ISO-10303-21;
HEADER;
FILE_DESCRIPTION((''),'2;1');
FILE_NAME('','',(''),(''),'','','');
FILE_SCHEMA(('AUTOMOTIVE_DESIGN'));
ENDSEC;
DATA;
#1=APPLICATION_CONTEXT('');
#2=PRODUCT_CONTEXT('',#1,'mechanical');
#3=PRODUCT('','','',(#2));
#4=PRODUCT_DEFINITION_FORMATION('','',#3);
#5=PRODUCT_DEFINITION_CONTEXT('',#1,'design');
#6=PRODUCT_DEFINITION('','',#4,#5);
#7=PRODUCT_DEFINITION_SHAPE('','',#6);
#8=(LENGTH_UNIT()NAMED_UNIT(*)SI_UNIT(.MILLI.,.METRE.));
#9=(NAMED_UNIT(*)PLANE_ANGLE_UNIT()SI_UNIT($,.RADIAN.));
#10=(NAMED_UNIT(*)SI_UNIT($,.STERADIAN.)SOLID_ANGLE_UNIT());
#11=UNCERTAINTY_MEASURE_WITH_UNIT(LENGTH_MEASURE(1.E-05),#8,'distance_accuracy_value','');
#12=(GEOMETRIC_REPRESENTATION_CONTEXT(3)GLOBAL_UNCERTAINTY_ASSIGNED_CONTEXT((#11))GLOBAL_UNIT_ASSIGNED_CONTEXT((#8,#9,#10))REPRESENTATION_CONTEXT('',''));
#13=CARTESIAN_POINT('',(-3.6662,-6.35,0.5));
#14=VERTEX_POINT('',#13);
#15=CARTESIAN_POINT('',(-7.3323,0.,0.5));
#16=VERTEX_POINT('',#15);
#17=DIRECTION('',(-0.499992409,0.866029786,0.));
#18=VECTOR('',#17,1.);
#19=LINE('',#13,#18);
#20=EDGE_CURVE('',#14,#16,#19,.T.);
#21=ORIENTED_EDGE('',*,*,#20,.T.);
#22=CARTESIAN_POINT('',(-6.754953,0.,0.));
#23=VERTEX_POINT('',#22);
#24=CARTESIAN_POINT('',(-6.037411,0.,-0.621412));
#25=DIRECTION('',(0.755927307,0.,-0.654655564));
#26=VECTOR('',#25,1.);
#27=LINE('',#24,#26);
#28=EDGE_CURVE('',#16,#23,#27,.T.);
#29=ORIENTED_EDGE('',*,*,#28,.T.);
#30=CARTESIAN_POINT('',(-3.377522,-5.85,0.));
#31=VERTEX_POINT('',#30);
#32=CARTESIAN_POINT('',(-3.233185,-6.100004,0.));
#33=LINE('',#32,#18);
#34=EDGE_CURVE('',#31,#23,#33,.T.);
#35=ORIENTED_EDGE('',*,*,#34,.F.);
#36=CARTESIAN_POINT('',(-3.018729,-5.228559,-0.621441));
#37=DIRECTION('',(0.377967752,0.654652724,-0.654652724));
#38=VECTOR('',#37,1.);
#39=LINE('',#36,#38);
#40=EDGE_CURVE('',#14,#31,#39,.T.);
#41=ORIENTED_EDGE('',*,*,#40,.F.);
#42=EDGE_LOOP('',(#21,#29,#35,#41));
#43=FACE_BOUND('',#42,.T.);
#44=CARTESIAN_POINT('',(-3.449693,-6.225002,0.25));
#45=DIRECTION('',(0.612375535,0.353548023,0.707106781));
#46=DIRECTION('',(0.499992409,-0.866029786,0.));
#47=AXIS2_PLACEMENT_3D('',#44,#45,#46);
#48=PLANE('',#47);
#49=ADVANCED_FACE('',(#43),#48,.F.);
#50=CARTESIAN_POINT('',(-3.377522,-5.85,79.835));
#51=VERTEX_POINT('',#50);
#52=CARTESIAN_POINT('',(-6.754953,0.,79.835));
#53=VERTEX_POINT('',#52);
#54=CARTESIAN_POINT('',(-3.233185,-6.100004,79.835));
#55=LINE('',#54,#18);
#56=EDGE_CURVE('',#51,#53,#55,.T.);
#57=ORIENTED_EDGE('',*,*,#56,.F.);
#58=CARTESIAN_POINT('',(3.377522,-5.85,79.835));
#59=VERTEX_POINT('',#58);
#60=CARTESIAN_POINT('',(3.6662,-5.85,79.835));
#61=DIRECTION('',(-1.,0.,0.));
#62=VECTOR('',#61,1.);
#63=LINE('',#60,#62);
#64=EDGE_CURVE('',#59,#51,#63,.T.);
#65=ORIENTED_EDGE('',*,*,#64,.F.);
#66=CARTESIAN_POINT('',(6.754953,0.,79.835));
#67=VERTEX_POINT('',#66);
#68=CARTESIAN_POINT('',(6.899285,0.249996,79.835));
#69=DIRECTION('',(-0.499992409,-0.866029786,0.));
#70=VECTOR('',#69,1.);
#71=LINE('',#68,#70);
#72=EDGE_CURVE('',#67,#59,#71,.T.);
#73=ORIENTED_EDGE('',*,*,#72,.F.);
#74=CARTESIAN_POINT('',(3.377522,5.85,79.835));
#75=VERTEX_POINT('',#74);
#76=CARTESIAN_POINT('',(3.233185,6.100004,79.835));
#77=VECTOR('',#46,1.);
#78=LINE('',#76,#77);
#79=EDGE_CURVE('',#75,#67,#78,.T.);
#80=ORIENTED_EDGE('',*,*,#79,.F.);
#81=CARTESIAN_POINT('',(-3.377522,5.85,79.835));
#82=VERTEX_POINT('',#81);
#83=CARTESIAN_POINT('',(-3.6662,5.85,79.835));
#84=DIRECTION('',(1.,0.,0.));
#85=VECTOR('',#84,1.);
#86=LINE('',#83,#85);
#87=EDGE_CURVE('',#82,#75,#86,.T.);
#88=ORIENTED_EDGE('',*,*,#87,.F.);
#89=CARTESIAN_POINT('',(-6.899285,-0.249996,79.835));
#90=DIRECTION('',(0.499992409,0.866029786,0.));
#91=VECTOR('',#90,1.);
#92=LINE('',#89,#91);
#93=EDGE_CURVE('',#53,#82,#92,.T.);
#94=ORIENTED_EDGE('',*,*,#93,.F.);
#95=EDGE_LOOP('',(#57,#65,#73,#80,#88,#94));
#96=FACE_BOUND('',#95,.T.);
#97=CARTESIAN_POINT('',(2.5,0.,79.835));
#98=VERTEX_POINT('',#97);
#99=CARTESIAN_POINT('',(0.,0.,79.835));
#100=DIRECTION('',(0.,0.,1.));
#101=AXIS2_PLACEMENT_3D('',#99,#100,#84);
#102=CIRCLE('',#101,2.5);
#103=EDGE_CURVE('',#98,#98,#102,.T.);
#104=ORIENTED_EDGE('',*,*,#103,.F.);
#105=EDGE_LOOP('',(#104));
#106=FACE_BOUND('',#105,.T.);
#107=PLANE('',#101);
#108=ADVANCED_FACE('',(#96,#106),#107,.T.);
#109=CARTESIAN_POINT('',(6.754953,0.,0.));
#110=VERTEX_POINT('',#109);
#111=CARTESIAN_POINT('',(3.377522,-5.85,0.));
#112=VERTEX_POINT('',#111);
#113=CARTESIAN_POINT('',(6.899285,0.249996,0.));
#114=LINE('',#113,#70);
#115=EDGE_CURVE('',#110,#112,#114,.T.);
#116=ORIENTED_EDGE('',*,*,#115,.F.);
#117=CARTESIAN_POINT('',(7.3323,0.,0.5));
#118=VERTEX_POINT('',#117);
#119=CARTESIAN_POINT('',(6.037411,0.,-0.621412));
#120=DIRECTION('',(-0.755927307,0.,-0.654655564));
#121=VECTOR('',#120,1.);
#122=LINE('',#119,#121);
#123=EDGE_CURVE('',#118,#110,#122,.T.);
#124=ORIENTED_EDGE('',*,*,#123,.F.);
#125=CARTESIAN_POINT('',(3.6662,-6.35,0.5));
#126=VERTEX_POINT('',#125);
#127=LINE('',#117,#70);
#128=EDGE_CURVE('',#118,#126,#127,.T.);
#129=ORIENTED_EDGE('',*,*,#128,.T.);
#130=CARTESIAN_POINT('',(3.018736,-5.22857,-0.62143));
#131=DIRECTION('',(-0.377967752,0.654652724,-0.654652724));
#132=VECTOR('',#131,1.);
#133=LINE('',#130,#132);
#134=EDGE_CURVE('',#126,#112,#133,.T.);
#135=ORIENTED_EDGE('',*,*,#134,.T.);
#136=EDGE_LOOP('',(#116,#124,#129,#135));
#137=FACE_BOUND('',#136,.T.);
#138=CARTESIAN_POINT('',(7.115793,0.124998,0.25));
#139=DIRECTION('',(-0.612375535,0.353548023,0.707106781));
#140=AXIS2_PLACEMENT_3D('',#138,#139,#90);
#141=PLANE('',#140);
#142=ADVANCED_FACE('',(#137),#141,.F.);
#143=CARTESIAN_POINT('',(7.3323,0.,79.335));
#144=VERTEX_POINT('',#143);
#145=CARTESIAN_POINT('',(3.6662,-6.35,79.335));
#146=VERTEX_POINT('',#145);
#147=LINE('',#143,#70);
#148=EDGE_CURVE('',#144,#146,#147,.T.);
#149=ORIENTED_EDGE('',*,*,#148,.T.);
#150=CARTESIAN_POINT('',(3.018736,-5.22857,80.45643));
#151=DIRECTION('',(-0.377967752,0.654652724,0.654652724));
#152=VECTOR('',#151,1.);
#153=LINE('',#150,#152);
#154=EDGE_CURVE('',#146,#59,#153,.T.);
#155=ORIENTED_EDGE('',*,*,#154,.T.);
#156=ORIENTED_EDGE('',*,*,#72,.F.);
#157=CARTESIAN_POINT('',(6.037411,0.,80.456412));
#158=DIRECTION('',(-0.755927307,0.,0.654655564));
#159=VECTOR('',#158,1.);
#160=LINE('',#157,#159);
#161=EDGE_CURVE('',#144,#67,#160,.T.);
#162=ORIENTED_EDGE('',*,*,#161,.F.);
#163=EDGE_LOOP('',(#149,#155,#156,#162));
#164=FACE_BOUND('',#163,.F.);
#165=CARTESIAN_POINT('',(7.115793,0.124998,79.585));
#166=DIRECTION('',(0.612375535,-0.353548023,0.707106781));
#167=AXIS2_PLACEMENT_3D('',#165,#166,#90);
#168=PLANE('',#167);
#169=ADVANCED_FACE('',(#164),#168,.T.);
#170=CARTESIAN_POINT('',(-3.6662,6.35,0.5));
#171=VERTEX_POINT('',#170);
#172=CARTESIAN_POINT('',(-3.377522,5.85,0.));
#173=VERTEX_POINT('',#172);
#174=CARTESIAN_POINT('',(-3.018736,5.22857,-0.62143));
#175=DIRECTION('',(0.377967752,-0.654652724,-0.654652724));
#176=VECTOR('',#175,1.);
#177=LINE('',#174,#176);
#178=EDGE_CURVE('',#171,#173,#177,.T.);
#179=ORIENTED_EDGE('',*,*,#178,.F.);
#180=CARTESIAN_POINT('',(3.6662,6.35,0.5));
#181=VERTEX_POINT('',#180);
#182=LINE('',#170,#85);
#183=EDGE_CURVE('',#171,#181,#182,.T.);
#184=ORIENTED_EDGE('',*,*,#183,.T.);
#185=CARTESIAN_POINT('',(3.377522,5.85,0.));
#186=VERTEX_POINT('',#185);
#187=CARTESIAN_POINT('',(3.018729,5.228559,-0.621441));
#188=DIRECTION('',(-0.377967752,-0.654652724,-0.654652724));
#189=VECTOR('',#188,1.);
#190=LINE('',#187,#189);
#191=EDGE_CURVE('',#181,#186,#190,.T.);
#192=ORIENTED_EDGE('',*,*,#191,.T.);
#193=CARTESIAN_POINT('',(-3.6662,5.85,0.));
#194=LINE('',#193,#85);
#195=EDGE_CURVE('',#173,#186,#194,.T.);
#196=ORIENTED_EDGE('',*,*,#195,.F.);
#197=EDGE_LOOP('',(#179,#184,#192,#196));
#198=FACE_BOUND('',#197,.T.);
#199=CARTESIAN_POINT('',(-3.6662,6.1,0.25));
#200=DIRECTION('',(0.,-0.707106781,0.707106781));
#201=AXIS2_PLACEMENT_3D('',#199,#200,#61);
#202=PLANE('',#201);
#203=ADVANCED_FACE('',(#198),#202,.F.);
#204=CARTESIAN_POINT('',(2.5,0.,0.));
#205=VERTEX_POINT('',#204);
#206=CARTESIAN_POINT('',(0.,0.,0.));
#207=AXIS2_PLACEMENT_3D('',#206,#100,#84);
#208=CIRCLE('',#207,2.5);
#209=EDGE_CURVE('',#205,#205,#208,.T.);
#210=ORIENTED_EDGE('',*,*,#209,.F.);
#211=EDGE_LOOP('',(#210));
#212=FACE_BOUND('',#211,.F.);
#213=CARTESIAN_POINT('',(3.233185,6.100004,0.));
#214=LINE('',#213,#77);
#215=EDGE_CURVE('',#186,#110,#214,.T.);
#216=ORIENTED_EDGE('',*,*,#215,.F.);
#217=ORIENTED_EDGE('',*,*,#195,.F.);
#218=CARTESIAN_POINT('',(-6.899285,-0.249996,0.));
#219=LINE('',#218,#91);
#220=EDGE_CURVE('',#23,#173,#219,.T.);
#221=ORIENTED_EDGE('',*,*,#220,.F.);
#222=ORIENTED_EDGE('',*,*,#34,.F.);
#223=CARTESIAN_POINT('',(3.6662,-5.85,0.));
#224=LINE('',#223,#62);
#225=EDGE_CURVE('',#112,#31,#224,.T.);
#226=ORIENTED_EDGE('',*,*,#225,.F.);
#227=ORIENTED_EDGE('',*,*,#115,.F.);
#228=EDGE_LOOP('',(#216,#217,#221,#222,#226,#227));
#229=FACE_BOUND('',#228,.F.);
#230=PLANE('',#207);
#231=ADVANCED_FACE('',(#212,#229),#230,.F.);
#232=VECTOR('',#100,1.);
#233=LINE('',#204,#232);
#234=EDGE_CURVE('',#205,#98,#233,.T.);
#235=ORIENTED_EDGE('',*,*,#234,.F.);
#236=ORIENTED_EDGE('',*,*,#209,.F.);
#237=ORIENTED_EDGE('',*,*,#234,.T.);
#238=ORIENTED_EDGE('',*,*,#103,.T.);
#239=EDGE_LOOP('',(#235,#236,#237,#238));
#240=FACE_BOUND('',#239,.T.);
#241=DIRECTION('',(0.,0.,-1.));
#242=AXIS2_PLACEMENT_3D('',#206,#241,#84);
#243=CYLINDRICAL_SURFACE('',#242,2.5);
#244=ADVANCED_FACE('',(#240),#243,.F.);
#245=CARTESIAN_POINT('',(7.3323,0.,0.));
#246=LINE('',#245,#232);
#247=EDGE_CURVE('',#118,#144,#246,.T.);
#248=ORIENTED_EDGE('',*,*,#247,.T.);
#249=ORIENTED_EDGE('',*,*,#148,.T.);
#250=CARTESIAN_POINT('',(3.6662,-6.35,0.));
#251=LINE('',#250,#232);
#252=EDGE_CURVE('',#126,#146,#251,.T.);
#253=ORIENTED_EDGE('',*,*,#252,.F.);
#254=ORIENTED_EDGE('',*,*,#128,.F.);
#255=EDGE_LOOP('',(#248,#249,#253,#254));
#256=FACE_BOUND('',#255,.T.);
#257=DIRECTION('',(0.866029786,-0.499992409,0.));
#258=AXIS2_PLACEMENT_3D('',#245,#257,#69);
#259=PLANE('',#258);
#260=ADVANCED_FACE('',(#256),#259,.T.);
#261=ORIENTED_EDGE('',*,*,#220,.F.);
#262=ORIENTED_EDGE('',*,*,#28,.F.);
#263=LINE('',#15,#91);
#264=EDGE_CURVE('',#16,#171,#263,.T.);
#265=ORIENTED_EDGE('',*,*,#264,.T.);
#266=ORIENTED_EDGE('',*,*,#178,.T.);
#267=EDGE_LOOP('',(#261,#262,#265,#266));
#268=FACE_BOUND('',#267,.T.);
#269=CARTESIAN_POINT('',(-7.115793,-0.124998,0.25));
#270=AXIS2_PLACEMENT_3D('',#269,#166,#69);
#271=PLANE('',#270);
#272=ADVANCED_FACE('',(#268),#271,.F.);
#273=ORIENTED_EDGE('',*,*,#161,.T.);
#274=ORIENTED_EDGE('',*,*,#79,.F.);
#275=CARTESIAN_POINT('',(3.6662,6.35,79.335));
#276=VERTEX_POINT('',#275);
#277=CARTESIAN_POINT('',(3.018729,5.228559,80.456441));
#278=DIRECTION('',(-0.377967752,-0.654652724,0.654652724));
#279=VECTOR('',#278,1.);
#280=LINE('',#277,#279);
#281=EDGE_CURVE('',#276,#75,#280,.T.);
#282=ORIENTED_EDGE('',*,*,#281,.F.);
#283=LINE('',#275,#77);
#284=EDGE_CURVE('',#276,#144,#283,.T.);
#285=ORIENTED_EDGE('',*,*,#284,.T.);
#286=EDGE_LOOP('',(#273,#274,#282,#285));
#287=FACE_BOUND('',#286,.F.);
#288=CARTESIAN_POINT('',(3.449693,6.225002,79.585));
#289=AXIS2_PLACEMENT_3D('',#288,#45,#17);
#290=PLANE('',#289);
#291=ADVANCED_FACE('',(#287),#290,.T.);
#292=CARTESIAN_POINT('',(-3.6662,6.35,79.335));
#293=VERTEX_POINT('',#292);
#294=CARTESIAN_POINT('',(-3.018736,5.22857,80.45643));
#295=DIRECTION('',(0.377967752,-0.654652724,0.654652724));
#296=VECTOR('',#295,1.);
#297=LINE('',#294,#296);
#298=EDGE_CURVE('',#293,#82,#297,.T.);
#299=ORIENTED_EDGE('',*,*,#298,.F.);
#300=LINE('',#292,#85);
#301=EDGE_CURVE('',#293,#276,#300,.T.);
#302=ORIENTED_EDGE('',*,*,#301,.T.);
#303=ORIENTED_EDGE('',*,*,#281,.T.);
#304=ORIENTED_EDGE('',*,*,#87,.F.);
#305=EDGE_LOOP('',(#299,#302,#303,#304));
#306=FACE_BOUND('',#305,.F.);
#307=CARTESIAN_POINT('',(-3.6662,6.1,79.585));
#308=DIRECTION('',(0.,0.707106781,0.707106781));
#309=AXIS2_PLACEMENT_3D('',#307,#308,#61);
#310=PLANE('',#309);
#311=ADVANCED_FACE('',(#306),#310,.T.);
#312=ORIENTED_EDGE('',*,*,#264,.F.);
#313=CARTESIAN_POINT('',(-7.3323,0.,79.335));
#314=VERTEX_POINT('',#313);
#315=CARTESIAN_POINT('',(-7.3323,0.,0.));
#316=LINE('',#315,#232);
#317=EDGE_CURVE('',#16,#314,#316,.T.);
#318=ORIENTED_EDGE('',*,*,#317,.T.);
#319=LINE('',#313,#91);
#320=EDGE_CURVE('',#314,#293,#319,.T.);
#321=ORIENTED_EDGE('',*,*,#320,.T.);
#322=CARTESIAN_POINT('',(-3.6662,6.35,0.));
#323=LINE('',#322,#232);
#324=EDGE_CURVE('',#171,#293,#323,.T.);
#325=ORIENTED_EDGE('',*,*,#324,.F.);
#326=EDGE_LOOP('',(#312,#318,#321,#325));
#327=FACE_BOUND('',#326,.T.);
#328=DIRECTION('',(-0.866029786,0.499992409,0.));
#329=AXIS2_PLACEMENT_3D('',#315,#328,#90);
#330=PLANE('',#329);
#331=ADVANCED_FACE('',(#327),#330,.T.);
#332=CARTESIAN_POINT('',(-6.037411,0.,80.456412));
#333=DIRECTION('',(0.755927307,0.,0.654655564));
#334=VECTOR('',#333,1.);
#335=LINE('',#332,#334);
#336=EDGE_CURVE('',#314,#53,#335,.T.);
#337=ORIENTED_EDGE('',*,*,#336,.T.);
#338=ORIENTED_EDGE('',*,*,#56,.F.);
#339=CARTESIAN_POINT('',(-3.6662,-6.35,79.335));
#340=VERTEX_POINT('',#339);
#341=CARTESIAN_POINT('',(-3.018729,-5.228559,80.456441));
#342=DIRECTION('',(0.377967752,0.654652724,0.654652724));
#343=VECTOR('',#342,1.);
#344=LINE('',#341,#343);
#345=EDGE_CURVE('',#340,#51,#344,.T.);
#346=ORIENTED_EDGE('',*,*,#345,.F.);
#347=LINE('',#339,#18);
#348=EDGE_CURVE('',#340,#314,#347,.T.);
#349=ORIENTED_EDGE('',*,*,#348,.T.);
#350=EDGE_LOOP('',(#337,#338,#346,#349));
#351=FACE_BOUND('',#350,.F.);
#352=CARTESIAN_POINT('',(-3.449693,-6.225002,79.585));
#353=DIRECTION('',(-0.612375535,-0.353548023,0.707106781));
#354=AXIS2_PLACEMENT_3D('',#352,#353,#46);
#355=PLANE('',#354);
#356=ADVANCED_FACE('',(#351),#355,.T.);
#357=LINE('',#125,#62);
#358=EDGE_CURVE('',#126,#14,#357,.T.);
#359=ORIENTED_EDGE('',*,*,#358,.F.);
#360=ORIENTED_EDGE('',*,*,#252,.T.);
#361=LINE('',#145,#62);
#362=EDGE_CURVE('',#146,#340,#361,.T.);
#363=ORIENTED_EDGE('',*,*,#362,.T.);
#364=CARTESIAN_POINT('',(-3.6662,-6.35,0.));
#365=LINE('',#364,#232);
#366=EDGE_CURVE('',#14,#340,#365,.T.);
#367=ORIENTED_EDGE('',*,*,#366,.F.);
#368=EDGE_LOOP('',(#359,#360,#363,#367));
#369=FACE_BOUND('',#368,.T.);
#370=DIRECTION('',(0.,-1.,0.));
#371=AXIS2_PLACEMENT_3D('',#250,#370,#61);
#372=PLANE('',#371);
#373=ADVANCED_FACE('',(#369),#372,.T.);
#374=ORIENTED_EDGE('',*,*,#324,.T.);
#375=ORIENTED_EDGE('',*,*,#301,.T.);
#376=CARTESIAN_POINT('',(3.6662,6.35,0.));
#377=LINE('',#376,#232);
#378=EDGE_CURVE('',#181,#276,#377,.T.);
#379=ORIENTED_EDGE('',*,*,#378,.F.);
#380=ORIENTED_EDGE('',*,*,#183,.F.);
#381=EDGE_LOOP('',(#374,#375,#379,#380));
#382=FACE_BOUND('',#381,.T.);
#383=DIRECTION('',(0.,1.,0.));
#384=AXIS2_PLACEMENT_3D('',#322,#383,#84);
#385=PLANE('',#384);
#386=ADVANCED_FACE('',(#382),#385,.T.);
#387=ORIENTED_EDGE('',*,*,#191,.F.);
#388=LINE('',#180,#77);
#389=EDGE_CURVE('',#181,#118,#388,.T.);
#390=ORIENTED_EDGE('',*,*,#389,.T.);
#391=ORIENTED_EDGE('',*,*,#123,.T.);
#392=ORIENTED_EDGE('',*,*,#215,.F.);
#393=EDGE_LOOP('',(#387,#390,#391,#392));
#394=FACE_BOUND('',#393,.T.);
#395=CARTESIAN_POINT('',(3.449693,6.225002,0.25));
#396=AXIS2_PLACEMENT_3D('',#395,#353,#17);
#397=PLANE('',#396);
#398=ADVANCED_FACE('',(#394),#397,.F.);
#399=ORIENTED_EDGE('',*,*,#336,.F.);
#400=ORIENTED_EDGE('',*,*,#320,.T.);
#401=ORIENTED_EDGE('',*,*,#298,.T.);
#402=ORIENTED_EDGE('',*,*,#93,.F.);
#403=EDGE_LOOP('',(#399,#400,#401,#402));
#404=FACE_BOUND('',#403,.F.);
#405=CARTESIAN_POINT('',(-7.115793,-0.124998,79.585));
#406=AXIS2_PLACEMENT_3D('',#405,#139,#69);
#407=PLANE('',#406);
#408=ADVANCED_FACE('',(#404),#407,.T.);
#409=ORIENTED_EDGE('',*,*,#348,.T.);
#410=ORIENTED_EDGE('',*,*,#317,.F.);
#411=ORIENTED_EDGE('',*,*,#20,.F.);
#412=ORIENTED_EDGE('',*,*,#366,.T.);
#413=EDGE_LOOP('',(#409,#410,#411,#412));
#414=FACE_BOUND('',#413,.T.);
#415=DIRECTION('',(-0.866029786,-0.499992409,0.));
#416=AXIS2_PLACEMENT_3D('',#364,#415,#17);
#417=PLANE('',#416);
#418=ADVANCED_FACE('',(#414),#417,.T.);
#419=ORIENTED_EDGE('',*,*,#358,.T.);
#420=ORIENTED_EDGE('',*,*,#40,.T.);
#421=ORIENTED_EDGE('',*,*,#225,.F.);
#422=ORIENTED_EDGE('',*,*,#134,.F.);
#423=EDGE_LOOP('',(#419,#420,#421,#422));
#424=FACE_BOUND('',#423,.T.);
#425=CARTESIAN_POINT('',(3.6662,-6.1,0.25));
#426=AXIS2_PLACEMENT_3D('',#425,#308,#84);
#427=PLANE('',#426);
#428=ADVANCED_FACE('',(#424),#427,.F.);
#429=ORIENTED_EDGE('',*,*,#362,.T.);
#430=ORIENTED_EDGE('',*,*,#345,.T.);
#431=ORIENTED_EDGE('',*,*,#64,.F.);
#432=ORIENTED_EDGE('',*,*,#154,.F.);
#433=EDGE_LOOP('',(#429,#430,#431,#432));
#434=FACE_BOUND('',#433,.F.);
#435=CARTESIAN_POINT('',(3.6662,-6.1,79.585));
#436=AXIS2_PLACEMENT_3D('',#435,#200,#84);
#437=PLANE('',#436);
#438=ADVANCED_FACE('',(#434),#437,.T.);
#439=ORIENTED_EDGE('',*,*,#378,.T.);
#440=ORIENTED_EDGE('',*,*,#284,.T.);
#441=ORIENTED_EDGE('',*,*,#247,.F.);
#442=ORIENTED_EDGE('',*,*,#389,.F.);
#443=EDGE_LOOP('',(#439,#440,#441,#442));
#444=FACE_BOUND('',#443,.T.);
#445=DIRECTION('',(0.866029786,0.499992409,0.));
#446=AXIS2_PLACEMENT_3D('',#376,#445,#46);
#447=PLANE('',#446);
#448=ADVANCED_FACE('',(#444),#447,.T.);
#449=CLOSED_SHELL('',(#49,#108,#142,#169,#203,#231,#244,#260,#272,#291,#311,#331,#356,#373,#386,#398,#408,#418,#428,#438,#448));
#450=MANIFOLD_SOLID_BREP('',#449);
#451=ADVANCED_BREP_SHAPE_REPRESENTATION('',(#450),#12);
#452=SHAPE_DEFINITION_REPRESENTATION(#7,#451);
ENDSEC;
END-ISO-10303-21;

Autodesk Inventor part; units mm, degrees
ref_plane "YZ Plane" through (0, 0, 0) normal (1, 0, 0) x (0, 1, 0)
ref_plane "XZ Plane" through (0, 0, 0) normal (0, 1, 0) x (-1, 0, 0)
ref_plane "XY Plane" through (0, 0, 0) normal (0, 0, 1) x (1, 0, 0)
sketch "Sketch1" plane through (0, 0, 0) normal (0, 0, 1) x (1, 0, 0)
  circle A0 centre (0, 0) radius 2.5
  line L0 (-7.3323, 0) -> (-3.6662, 6.35)
  line L1 (-3.6662, 6.35) -> (3.6662, 6.35)
  line L2 (3.6662, 6.35) -> (7.3323, 0)
  line L3 (7.3323, 0) -> (3.6662, -6.35)
  line L4 (3.6662, -6.35) -> (-3.6662, -6.35)
  line L5 (-3.6662, -6.35) -> (-7.3323, 0)
  dimension "d0" = 5
  dimension "d1" = 12.7
extrude "Extrusion1" add sketch "Sketch1" along normal blind 79.835
chamfer "Chamfer1" distance 0.5 angle 45 12 edges at (0, -6.35, 0) (-5.4993, -3.175, 0) (-5.4993, 3.175, 0) (0, 6.35, 0) (5.4993, 3.175, 0) (5.4993, -3.175, 0) (0, -6.35, 79.835) (5.4993, -3.175, 79.835) (5.4993, 3.175, 79.835) (0, 6.35, 79.835) (-5.4993, 3.175, 79.835) (-5.4993, -3.175, 79.835)
properties part number "spacers"
